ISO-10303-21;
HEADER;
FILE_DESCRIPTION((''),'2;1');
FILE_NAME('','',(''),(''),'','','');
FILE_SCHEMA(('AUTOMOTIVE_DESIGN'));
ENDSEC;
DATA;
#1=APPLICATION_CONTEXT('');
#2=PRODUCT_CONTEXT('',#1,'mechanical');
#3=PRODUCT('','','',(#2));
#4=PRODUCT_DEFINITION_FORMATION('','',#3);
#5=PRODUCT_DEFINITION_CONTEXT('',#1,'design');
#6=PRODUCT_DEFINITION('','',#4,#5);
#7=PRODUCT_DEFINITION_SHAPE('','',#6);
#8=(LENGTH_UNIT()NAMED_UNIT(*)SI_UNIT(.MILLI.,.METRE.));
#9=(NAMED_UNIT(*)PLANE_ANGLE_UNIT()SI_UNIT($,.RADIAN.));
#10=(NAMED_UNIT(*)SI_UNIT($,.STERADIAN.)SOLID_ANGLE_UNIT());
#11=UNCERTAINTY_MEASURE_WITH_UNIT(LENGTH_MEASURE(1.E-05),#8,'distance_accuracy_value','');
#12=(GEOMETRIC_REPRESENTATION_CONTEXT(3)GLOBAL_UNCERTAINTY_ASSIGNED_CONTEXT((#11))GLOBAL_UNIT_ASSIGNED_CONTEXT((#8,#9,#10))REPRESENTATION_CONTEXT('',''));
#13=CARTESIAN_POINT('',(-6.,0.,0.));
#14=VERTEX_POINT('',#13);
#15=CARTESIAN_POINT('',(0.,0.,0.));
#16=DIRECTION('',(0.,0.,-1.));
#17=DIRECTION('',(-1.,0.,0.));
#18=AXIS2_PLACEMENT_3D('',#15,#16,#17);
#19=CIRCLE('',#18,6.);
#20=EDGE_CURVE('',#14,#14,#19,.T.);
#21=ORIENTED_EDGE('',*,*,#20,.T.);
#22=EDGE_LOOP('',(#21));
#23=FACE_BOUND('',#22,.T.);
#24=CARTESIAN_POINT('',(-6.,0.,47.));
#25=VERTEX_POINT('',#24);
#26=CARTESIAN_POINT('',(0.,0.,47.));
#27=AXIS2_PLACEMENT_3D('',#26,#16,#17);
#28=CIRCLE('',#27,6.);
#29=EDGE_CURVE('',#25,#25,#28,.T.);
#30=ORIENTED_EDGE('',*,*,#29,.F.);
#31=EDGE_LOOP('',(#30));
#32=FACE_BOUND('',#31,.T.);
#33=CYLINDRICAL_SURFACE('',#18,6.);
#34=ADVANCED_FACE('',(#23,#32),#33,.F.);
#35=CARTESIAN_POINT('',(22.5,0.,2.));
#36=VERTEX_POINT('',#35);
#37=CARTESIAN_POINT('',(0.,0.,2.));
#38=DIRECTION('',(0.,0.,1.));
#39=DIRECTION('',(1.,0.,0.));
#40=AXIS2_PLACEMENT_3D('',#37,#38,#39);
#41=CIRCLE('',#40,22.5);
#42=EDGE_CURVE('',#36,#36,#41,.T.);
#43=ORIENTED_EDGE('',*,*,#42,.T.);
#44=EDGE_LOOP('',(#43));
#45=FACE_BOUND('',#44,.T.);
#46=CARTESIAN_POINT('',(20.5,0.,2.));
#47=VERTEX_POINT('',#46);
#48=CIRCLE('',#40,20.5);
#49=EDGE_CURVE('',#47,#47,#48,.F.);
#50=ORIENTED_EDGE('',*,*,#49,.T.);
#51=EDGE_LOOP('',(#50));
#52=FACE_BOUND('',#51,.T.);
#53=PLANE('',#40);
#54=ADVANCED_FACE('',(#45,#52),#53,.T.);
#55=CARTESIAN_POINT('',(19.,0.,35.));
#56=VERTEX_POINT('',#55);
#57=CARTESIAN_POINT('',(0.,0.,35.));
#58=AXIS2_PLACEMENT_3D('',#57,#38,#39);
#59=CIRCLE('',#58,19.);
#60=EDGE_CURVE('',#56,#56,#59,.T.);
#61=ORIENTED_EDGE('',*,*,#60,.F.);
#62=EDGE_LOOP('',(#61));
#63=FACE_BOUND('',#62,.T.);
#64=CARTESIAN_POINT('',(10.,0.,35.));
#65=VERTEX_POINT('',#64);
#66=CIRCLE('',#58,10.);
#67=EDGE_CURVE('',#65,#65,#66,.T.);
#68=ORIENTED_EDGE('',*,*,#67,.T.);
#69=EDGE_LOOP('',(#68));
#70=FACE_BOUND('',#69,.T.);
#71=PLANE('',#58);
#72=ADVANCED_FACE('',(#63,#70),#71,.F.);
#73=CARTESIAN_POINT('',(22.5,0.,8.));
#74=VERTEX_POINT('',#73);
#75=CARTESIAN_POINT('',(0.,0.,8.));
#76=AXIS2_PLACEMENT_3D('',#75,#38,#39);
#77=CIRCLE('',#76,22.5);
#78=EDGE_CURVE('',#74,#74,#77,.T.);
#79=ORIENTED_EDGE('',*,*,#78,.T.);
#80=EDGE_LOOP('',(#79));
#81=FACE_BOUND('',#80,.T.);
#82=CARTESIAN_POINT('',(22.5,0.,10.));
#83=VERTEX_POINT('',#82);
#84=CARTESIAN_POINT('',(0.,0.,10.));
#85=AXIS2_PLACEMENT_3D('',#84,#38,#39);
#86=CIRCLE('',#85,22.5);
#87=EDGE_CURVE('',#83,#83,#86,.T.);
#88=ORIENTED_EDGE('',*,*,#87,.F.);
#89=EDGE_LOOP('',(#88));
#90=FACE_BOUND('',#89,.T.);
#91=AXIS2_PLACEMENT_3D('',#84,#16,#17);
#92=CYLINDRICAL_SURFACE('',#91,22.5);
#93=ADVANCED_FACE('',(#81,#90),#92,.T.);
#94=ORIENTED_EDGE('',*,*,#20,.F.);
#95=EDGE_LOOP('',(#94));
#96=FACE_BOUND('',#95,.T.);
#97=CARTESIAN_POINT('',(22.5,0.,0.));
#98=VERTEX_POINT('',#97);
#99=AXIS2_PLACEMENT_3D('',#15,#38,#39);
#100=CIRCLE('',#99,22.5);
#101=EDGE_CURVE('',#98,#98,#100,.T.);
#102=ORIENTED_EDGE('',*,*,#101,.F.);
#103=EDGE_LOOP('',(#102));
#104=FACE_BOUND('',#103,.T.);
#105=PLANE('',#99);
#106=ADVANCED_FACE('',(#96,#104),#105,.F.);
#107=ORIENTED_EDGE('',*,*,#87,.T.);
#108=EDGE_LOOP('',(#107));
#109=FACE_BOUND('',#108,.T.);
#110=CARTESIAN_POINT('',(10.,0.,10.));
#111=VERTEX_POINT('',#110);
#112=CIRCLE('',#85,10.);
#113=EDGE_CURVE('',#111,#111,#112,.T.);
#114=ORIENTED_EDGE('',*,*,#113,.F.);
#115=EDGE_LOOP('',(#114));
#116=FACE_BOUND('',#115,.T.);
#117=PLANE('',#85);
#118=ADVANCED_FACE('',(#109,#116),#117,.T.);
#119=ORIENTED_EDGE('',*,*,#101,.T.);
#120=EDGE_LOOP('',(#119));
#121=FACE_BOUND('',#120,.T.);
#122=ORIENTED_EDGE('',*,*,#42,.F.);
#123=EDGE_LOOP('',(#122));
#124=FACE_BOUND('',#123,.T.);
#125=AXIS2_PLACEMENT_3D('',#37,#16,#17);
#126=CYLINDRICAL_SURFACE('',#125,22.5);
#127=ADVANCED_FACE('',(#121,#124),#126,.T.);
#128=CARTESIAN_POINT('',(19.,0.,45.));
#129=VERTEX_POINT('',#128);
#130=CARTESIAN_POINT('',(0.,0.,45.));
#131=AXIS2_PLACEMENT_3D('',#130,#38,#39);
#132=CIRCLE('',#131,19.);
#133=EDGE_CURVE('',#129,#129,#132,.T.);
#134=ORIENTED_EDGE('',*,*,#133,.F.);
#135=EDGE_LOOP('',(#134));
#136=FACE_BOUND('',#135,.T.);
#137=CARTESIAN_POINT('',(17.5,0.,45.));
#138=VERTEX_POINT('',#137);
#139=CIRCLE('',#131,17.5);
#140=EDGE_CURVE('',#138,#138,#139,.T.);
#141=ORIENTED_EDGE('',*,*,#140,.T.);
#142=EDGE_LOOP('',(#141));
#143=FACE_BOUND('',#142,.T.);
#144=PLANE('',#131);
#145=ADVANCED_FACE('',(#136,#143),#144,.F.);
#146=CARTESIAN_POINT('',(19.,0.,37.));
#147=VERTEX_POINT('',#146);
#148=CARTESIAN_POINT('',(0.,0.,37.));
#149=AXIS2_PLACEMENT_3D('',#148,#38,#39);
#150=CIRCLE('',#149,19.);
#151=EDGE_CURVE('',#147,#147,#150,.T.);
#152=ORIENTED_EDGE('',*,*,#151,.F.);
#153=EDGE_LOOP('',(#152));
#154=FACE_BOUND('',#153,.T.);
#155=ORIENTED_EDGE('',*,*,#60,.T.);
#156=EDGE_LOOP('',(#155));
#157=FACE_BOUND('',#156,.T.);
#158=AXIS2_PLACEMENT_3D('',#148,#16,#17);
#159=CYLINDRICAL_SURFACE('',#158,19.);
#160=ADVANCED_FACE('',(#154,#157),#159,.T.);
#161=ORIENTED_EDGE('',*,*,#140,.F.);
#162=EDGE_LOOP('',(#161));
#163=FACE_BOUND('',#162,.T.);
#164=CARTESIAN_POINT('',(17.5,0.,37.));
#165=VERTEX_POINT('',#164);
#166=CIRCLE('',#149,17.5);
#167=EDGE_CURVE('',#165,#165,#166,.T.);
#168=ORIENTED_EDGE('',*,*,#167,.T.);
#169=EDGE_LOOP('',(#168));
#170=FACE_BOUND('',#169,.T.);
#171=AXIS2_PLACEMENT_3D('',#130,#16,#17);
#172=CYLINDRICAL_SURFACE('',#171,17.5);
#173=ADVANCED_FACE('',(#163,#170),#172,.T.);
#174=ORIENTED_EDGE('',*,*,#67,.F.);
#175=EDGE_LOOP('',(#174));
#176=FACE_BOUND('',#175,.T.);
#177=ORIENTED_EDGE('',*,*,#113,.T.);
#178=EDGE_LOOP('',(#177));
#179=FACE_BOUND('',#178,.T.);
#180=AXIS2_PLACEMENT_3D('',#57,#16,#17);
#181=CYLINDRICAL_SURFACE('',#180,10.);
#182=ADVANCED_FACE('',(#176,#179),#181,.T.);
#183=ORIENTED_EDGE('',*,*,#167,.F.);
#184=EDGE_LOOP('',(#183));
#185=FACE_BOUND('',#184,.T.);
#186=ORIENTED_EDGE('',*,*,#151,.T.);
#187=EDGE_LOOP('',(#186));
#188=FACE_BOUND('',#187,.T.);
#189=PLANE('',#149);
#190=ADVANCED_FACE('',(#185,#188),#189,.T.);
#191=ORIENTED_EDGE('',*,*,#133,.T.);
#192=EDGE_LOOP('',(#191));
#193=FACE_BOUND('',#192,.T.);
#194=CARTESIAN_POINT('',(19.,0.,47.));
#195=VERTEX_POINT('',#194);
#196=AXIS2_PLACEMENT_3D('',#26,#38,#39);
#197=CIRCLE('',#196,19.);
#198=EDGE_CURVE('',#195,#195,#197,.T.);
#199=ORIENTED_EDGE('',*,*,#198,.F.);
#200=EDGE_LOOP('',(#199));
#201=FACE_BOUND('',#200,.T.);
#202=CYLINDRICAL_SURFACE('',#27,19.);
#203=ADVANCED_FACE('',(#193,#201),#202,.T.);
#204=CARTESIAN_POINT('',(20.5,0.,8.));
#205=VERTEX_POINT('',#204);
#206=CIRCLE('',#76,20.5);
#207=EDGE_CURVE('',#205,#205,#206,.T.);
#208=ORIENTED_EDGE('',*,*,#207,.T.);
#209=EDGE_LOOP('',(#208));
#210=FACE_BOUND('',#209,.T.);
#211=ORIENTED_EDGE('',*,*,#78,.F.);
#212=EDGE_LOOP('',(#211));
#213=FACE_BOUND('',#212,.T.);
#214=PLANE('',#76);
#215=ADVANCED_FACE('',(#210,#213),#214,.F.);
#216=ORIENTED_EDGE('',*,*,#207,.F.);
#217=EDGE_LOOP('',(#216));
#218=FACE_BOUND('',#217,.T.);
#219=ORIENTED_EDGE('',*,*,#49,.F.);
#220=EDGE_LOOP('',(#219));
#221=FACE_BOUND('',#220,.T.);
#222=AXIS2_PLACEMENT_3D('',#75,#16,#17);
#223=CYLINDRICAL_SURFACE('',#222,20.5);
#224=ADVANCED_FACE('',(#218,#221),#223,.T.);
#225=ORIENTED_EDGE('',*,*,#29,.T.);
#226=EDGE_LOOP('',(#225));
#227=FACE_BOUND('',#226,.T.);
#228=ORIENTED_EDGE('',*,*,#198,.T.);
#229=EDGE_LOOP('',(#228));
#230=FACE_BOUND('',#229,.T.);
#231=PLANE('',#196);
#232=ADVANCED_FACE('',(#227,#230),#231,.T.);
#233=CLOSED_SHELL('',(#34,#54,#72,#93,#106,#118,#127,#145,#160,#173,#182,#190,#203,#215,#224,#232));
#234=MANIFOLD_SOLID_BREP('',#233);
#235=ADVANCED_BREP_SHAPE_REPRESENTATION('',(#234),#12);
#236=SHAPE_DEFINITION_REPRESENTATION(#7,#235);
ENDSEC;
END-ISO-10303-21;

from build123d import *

# Parameters (mm, degrees)
SKIZZE1_R                        = 22.5
SEITE1_DEPTH                     = 2
SKIZZE2_R                        = 20.5
LAUFFL_CHE_DEPTH                 = 8
SKIZZE5_R                        = 22.5
SEITE_2_DEPTH                    = 2
BOHRUNG_DEPTH                    = 100
BOHRUNG_DEPTH_BACK               = 34.35416016
SKIZZE7_R                        = 2.5
SKIZZE9_R                        = 10
ZAPFEN_DEPTH                     = 25
SKIZZE10_R                       = 19
SEITENTEIL3_DEPTH                = 2
SKIZZE12_R                       = 17.5
ZAHNFL_CHE_DEPTH                 = 8
SKIZZE13_R                       = 19
SEITENTEIL4_DEPTH                = 2
F_12_0_12_DURCHMESSER_BOHRUNG1_D = 12


with BuildPart() as part:
    # Skizze1 → Seite1 (new body)
    with BuildSketch(Plane.XY):
        Circle(SKIZZE1_R)
    extrude(amount=SEITE1_DEPTH)

    # Skizze2 → Lauffläche (add)
    with BuildSketch(Plane.XY):
        Circle(SKIZZE2_R)
    extrude(amount=LAUFFL_CHE_DEPTH)

    # Skizze5 → Seite 2 (add)
    with BuildSketch(Plane.XY.offset(8)):
        Circle(SKIZZE5_R)
    extrude(amount=SEITE_2_DEPTH)

    # Skizze7 → Bohrung (cut, two sides: drawn at the far end of the back side and taken through both)
    with BuildSketch(Plane.XY.offset(-BOHRUNG_DEPTH_BACK)):
        Circle(SKIZZE7_R)
    extrude(amount=BOHRUNG_DEPTH + BOHRUNG_DEPTH_BACK, mode=Mode.SUBTRACT)

    # Skizze9 → Zapfen (add)
    with BuildSketch(Plane.XY.offset(10)):
        Circle(SKIZZE9_R)
    extrude(amount=ZAPFEN_DEPTH)

    # Skizze10 → Seitenteil3 (add)
    with BuildSketch(Plane.XY.offset(35)):
        Circle(SKIZZE10_R)
    extrude(amount=SEITENTEIL3_DEPTH)

    # Skizze12 → Zahnfläche (add)
    with BuildSketch(Plane.XY.offset(37)):
        Circle(SKIZZE12_R)
    extrude(amount=ZAHNFL_CHE_DEPTH)

    # Skizze13 → Seitenteil4 (add)
    with BuildSketch(Plane.XY.offset(45)):
        Circle(SKIZZE13_R)
    extrude(amount=SEITENTEIL4_DEPTH)

    # Ø12.0 (12) Durchmesser Bohrung1 (through all)
    with Locations(Plane(origin=(0, 0, 0), x_dir=(-1, 0, 0), z_dir=(0, 0, -1))):
        with Locations((0, 0)):
            Hole(F_12_0_12_DURCHMESSER_BOHRUNG1_D / 2)


solid = part.part
